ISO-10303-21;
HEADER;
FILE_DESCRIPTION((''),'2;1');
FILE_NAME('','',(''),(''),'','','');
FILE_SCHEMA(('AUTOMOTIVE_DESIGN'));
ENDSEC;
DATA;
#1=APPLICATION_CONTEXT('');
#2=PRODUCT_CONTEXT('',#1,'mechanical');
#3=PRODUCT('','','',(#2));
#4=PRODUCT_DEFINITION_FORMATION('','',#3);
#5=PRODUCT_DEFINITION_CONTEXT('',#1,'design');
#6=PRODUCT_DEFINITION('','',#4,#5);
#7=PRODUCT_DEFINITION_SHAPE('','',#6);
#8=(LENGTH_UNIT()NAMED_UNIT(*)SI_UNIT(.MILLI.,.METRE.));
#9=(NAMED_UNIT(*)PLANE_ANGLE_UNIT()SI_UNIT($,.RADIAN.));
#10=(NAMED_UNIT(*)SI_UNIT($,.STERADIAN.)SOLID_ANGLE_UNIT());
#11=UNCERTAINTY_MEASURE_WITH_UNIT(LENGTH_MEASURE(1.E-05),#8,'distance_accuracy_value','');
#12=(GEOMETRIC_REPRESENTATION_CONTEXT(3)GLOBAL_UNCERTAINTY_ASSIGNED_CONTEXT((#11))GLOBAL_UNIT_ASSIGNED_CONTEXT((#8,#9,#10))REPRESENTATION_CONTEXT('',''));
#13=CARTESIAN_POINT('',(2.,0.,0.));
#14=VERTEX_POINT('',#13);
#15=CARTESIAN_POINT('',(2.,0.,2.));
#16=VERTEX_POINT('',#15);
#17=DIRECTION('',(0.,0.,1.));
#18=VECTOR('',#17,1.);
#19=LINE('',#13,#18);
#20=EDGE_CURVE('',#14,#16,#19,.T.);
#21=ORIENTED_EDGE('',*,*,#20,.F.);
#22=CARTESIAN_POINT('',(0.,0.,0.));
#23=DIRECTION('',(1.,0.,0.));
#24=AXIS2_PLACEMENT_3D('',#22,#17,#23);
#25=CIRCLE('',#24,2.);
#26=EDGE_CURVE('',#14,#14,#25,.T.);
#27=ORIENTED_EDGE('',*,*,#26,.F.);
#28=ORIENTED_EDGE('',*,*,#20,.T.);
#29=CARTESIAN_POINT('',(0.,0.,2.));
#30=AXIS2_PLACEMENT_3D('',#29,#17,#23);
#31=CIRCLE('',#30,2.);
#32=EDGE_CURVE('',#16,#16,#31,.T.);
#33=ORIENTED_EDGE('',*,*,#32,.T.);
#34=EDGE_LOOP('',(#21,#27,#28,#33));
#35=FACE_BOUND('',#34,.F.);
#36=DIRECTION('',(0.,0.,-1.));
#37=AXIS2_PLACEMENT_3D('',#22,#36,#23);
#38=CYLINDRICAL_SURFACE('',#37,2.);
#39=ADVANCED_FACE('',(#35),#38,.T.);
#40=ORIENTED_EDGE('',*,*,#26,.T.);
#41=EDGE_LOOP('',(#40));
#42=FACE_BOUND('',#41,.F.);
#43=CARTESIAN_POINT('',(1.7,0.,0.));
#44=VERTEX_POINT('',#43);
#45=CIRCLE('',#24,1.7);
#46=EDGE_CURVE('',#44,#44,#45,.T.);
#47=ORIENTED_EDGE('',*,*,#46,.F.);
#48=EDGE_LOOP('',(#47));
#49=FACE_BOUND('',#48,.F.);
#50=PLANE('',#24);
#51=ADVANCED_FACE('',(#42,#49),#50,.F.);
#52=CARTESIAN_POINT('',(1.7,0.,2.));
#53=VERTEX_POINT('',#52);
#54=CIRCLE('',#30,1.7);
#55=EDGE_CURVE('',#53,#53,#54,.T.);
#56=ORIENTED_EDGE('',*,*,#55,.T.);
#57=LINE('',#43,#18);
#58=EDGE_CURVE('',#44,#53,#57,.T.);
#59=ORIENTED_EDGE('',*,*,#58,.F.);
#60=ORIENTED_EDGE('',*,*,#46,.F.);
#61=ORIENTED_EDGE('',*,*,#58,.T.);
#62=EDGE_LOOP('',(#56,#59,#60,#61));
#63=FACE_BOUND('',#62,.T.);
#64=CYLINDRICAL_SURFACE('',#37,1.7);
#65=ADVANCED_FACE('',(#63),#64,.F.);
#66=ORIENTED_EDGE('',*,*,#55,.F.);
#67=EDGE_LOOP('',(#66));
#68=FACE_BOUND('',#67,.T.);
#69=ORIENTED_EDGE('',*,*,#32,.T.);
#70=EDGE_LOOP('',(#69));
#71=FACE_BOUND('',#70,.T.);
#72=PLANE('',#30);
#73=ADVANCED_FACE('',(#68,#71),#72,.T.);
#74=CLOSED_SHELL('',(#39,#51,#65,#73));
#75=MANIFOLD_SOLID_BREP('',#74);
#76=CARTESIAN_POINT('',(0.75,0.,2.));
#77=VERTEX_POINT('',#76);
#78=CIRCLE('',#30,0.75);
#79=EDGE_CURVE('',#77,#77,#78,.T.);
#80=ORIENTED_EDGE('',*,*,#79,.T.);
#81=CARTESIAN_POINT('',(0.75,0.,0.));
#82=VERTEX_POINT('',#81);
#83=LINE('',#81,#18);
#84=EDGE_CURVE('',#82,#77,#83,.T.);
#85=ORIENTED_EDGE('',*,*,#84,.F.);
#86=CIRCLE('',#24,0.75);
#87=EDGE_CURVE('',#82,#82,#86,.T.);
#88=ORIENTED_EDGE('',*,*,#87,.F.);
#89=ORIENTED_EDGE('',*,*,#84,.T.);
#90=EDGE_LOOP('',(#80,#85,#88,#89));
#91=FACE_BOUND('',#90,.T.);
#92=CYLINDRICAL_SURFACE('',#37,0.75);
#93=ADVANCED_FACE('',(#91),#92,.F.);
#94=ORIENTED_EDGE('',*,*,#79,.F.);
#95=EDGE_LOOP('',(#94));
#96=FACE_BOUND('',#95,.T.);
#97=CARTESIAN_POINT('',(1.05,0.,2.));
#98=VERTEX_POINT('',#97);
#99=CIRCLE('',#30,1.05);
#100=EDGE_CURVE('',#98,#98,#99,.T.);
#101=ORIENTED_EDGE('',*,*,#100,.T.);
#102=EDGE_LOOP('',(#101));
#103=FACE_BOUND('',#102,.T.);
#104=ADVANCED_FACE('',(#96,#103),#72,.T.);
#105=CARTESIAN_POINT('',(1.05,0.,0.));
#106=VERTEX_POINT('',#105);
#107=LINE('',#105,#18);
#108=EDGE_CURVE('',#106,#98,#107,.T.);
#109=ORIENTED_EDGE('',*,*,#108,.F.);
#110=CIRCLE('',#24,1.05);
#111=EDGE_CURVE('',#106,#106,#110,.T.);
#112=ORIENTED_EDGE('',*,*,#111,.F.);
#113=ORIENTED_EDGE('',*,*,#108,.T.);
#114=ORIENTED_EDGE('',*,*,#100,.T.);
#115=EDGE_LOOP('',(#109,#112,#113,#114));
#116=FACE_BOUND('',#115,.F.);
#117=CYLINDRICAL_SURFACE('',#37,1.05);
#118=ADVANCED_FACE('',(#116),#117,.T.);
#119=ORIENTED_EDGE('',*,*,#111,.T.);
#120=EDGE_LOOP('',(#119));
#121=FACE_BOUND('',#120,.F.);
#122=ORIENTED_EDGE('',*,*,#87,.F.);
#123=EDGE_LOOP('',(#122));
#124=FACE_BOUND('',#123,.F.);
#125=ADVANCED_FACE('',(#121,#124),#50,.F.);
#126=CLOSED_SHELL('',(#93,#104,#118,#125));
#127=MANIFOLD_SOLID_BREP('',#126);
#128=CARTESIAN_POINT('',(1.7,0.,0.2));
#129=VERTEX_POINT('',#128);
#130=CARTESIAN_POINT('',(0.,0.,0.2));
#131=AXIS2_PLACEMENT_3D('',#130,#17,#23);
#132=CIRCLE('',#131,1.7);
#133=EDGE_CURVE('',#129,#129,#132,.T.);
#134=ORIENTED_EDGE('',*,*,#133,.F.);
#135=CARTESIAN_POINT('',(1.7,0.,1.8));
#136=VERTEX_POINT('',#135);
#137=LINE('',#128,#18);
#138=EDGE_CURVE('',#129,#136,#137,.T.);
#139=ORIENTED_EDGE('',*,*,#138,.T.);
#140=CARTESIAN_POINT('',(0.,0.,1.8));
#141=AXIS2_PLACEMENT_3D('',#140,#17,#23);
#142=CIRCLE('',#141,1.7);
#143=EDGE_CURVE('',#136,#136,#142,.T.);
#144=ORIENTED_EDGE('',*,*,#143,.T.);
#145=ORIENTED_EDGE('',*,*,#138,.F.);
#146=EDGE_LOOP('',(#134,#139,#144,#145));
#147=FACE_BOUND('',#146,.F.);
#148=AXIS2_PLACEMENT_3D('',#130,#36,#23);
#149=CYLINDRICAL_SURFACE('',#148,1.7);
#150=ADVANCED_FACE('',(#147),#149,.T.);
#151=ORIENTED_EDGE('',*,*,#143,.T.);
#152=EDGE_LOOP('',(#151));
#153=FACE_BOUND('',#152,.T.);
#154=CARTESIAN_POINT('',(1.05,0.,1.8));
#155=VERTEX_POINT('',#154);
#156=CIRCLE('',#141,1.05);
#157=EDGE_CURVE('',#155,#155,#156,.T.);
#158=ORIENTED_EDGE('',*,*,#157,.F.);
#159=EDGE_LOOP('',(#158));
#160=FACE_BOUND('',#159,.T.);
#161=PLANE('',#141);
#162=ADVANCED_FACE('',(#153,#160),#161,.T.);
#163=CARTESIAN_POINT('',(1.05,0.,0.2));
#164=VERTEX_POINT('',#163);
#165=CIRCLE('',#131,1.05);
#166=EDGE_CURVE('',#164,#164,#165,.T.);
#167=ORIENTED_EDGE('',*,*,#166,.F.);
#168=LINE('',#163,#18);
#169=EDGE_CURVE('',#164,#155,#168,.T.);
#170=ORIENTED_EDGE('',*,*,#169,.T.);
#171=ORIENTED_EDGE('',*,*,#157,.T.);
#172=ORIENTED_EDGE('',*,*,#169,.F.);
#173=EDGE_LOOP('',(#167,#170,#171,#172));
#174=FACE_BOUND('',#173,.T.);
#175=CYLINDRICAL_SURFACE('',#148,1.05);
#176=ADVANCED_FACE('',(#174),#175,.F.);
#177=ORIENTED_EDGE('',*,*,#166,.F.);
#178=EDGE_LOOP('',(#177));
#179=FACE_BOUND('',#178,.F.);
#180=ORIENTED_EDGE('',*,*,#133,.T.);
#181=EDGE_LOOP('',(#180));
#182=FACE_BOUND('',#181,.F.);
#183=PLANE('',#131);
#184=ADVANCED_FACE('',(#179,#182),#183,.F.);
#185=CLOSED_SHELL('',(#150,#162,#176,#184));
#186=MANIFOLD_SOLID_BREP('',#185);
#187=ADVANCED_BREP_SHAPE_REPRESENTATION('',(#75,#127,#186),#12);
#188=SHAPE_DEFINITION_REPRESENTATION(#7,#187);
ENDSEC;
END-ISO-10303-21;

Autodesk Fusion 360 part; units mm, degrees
sketch "スケッチ1" plane through (0, 0, 0) normal (0, 0, 1) x (1, 0, 0)
  circle A0 centre (0, 0) radius 2
  circle A1 centre (0, 0) radius 1.7
  circle A2 centre (0, 0) radius 1.05
  circle A3 centre (0, 0) radius 0.75
  dimension "d1" = 4
  dimension "d2" = 1.5
  dimension "d3" = 2.1
  dimension "d4" = 3.4
extrude "押し出し1" add sketch "スケッチ1" along normal blind 2 contours A0 makes body 1
extrude "押し出し2" add sketch "スケッチ1" along normal blind 1.6 from surface at 0.2 separate body contours A1 makes body 2
extrude "押し出し1'" add sketch "スケッチ1" along normal blind 2 separate body contours A2 makes body 3 in component "Component"
component "Component" placed x (1, 0, 0) y (0, 1, 0) z (0, 0, 1) at (0, 0, 0)
